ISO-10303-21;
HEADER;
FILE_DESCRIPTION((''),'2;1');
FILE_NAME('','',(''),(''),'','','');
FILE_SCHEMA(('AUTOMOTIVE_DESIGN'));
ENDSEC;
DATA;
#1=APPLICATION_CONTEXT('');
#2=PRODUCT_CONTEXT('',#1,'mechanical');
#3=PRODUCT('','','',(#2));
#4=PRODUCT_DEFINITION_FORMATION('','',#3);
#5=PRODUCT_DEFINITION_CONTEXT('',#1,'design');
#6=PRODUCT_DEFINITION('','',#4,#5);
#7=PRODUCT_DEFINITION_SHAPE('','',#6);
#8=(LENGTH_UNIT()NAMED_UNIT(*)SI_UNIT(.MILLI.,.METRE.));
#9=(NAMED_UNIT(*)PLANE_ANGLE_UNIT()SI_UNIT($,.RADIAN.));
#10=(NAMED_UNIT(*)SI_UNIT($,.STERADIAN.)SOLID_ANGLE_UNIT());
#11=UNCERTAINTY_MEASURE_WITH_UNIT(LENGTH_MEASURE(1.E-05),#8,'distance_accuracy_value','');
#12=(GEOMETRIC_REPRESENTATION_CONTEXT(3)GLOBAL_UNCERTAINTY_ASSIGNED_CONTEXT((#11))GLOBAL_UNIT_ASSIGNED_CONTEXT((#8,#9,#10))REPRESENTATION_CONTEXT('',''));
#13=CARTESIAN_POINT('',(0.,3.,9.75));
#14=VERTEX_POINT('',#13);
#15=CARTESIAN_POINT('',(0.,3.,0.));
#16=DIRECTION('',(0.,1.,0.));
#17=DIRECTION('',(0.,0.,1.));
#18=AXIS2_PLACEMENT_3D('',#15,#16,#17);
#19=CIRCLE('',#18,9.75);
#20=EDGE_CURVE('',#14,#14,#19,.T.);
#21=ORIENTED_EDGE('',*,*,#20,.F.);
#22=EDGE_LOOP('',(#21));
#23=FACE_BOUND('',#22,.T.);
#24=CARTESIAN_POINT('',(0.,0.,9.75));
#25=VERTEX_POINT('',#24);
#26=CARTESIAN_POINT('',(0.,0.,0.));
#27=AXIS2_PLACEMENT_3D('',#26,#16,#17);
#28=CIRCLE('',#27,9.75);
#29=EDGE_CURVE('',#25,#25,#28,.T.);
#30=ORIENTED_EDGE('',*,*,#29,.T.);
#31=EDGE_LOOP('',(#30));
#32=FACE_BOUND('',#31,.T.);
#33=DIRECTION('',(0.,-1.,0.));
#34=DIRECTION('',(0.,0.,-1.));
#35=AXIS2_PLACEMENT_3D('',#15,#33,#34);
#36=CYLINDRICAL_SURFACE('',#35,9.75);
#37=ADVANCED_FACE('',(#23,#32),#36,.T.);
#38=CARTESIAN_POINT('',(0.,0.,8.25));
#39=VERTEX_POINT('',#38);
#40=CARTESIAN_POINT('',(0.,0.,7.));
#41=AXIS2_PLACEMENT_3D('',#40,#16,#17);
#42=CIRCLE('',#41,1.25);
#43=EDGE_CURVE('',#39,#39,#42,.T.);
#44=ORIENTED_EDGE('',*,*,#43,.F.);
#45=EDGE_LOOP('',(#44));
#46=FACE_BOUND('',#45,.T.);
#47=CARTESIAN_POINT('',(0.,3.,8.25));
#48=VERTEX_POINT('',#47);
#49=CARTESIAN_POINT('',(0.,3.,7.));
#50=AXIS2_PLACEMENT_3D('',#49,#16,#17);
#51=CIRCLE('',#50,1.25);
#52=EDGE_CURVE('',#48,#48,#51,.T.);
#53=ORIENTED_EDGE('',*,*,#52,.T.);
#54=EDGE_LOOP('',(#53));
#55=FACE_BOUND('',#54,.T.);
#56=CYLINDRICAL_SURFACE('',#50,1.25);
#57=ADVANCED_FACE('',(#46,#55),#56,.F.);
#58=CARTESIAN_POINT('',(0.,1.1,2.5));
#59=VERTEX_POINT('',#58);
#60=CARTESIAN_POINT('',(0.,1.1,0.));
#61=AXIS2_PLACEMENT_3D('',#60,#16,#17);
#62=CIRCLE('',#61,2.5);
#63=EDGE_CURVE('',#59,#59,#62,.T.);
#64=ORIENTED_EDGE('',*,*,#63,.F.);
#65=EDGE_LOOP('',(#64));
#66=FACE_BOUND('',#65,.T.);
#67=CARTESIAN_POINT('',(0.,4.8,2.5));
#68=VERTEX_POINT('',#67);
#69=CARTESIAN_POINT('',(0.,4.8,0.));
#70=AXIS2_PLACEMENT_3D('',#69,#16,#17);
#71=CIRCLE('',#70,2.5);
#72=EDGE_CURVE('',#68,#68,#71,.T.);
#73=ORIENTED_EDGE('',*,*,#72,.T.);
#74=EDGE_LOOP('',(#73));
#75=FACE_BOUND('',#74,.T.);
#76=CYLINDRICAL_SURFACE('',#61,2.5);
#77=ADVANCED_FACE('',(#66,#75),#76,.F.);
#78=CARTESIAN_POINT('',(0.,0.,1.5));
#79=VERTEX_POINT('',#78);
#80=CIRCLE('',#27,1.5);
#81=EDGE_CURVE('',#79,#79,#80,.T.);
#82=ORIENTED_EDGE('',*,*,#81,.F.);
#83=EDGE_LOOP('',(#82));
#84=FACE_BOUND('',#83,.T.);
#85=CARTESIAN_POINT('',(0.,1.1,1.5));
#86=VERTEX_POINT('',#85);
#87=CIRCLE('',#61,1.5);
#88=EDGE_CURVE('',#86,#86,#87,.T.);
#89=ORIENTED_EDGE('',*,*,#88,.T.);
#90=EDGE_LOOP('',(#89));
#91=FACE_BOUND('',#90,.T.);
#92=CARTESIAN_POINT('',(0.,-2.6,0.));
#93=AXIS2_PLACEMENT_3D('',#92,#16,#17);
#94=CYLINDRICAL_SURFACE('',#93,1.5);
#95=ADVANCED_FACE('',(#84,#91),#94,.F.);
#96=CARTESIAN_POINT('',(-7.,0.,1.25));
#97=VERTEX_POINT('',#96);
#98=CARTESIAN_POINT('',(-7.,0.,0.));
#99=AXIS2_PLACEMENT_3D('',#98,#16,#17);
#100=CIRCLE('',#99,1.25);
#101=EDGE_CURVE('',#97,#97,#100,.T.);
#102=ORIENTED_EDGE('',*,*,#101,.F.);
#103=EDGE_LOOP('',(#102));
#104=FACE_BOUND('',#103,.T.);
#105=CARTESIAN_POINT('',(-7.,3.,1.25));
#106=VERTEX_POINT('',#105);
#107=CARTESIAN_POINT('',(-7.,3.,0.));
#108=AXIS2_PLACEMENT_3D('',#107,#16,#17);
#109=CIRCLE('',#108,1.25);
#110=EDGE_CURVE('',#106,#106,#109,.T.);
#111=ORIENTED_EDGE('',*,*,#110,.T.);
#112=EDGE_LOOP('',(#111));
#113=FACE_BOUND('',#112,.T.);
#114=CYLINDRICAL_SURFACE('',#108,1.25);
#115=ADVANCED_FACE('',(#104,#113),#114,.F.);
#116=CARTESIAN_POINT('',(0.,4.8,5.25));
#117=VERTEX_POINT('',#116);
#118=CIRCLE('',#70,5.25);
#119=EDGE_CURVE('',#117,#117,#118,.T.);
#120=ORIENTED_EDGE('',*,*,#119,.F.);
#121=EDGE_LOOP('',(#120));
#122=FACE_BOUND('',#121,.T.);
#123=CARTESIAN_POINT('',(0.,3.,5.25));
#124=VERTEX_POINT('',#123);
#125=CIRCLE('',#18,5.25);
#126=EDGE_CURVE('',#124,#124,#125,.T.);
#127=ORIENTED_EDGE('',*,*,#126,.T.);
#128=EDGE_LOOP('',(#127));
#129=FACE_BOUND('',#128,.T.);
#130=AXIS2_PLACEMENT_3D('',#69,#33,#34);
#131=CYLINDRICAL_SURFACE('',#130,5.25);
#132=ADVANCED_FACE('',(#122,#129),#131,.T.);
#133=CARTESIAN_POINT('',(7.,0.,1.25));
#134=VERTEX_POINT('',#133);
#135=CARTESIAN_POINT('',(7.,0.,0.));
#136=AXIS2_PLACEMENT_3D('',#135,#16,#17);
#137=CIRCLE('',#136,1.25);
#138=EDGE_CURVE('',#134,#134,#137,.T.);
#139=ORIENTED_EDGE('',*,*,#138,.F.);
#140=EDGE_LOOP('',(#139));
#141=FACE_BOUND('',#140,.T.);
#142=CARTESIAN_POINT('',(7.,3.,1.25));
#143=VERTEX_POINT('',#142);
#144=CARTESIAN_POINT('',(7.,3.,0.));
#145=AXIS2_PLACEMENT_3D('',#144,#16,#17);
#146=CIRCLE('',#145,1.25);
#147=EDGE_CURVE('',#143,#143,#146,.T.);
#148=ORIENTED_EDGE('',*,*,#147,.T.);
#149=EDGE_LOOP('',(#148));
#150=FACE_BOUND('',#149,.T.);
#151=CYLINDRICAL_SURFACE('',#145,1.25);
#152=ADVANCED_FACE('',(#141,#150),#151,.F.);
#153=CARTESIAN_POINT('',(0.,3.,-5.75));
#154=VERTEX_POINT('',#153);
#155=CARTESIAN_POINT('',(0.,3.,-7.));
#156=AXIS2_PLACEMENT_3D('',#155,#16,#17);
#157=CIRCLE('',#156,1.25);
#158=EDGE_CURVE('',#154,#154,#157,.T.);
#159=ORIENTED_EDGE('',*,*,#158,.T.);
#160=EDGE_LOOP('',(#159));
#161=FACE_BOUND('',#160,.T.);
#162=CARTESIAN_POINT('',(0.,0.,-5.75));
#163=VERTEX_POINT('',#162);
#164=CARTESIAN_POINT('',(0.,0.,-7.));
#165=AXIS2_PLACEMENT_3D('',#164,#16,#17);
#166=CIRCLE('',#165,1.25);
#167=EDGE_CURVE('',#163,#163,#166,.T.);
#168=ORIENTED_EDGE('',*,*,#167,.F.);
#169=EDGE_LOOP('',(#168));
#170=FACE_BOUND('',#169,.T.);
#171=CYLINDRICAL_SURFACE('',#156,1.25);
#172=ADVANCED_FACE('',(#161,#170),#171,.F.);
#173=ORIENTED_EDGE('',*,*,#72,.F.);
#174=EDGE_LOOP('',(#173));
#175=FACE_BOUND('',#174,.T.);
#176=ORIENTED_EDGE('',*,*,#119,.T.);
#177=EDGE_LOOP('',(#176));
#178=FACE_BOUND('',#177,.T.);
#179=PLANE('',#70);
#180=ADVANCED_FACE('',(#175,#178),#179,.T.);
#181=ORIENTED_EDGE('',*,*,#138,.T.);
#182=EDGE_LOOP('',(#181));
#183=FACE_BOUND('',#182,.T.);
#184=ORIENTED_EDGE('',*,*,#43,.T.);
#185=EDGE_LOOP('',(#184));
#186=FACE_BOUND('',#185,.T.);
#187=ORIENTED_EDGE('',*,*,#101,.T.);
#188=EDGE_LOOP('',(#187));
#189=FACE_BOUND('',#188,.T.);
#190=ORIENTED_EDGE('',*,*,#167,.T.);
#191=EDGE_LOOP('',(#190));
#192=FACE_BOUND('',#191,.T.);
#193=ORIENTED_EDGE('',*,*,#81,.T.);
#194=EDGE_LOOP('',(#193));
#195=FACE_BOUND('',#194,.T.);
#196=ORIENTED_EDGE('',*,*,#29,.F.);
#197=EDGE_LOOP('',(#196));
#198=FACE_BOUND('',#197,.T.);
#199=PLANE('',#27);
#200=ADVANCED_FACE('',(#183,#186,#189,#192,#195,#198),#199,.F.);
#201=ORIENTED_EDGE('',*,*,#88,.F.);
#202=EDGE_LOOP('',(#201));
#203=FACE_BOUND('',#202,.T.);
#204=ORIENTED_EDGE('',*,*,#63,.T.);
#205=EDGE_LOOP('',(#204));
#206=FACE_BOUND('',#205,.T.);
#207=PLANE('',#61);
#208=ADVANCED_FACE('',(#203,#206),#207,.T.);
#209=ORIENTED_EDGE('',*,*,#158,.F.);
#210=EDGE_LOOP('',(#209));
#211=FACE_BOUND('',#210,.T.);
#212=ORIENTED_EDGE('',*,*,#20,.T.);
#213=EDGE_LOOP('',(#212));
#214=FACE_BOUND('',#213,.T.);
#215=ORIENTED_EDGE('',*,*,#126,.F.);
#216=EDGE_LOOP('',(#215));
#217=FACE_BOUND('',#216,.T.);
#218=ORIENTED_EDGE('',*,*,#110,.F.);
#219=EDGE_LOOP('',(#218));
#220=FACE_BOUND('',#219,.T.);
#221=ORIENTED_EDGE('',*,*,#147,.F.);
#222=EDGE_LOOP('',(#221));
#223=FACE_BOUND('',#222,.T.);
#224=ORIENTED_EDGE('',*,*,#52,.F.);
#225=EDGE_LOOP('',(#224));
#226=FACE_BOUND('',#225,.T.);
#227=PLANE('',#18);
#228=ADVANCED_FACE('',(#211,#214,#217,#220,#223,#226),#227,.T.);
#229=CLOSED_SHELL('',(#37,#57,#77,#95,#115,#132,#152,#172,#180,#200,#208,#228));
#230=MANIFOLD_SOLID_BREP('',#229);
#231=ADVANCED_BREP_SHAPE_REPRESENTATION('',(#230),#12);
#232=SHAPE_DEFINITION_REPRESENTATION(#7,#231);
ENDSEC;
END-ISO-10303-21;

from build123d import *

# Parameters (mm, degrees)
SKETCH_1_R             = 9.75
EXTRUDE_1_DEPTH        = 3
SKETCH_2_R             = 5.25
EXTRUDE_2_DEPTH        = 1.8
SKETCH_3_R             = 2.5
CUT_EXTRUDE_1_DEPTH    = 3.7
HOLE_WIZARD_M3_1_D     = 2.5
HOLE_WIZARD_M3_1_DEPTH = 8.5
HOLE_WIZARD_M3_1_TIP   = 0.751075774
SKETCH_10_R            = 1.5
CUT_EXTRUDE_2_DEPTH    = 3.7


with BuildPart() as part:
    # 草图1 → 凸台-拉伸1 (new body)
    with BuildSketch(Plane(origin=(0, 0, 0), x_dir=(1, 0, 0), z_dir=(0, 1, 0))):
        with Locations(Location((0, 0, 0), (0, 0, 270))):
            Circle(SKETCH_1_R)
    extrude(amount=EXTRUDE_1_DEPTH)

    # 草图2 → 凸台-拉伸2 (add)
    with BuildSketch(Plane(origin=(0, 3, 0), x_dir=(1, 0, 0), z_dir=(0, 1, 0))):
        with Locations(Location((0, 0, 0), (0, 0, 270))):
            Circle(SKETCH_2_R)
    extrude(amount=EXTRUDE_2_DEPTH)

    # 草图3 → 切除-拉伸1 (cut)
    with BuildSketch(Plane(origin=(0, 4.8, 0), x_dir=(1, 0, 0), z_dir=(0, 1, 0))):
        with Locations(Location((0, 0, 0), (0, 0, 270))):
            Circle(SKETCH_3_R)
    extrude(amount=-CUT_EXTRUDE_1_DEPTH, mode=Mode.SUBTRACT)

    # M3 螺纹孔1
    with Locations(Plane(origin=(0, 3, 0), x_dir=(1, 0, 0), z_dir=(0, 1, 0))):
        with Locations((0, 7), (7, 0), (0, -7), (-7, 0)):
            Hole(HOLE_WIZARD_M3_1_D / 2, depth=HOLE_WIZARD_M3_1_DEPTH)
            with Locations((0, 0, -(HOLE_WIZARD_M3_1_DEPTH + HOLE_WIZARD_M3_1_TIP / 2))):  # 118° drill point
                Cone(0, HOLE_WIZARD_M3_1_D / 2, HOLE_WIZARD_M3_1_TIP, mode=Mode.SUBTRACT)

    # 草图10 → 切除-拉伸2 (cut)
    with BuildSketch(Plane(origin=(0, 1.1, 0), x_dir=(1, 0, 0), z_dir=(0, 1, 0))):
        with Locations(Location((0, 0, 0), (0, 0, 270))):
            Circle(SKETCH_10_R)
    extrude(amount=-CUT_EXTRUDE_2_DEPTH, mode=Mode.SUBTRACT)


solid = part.part
